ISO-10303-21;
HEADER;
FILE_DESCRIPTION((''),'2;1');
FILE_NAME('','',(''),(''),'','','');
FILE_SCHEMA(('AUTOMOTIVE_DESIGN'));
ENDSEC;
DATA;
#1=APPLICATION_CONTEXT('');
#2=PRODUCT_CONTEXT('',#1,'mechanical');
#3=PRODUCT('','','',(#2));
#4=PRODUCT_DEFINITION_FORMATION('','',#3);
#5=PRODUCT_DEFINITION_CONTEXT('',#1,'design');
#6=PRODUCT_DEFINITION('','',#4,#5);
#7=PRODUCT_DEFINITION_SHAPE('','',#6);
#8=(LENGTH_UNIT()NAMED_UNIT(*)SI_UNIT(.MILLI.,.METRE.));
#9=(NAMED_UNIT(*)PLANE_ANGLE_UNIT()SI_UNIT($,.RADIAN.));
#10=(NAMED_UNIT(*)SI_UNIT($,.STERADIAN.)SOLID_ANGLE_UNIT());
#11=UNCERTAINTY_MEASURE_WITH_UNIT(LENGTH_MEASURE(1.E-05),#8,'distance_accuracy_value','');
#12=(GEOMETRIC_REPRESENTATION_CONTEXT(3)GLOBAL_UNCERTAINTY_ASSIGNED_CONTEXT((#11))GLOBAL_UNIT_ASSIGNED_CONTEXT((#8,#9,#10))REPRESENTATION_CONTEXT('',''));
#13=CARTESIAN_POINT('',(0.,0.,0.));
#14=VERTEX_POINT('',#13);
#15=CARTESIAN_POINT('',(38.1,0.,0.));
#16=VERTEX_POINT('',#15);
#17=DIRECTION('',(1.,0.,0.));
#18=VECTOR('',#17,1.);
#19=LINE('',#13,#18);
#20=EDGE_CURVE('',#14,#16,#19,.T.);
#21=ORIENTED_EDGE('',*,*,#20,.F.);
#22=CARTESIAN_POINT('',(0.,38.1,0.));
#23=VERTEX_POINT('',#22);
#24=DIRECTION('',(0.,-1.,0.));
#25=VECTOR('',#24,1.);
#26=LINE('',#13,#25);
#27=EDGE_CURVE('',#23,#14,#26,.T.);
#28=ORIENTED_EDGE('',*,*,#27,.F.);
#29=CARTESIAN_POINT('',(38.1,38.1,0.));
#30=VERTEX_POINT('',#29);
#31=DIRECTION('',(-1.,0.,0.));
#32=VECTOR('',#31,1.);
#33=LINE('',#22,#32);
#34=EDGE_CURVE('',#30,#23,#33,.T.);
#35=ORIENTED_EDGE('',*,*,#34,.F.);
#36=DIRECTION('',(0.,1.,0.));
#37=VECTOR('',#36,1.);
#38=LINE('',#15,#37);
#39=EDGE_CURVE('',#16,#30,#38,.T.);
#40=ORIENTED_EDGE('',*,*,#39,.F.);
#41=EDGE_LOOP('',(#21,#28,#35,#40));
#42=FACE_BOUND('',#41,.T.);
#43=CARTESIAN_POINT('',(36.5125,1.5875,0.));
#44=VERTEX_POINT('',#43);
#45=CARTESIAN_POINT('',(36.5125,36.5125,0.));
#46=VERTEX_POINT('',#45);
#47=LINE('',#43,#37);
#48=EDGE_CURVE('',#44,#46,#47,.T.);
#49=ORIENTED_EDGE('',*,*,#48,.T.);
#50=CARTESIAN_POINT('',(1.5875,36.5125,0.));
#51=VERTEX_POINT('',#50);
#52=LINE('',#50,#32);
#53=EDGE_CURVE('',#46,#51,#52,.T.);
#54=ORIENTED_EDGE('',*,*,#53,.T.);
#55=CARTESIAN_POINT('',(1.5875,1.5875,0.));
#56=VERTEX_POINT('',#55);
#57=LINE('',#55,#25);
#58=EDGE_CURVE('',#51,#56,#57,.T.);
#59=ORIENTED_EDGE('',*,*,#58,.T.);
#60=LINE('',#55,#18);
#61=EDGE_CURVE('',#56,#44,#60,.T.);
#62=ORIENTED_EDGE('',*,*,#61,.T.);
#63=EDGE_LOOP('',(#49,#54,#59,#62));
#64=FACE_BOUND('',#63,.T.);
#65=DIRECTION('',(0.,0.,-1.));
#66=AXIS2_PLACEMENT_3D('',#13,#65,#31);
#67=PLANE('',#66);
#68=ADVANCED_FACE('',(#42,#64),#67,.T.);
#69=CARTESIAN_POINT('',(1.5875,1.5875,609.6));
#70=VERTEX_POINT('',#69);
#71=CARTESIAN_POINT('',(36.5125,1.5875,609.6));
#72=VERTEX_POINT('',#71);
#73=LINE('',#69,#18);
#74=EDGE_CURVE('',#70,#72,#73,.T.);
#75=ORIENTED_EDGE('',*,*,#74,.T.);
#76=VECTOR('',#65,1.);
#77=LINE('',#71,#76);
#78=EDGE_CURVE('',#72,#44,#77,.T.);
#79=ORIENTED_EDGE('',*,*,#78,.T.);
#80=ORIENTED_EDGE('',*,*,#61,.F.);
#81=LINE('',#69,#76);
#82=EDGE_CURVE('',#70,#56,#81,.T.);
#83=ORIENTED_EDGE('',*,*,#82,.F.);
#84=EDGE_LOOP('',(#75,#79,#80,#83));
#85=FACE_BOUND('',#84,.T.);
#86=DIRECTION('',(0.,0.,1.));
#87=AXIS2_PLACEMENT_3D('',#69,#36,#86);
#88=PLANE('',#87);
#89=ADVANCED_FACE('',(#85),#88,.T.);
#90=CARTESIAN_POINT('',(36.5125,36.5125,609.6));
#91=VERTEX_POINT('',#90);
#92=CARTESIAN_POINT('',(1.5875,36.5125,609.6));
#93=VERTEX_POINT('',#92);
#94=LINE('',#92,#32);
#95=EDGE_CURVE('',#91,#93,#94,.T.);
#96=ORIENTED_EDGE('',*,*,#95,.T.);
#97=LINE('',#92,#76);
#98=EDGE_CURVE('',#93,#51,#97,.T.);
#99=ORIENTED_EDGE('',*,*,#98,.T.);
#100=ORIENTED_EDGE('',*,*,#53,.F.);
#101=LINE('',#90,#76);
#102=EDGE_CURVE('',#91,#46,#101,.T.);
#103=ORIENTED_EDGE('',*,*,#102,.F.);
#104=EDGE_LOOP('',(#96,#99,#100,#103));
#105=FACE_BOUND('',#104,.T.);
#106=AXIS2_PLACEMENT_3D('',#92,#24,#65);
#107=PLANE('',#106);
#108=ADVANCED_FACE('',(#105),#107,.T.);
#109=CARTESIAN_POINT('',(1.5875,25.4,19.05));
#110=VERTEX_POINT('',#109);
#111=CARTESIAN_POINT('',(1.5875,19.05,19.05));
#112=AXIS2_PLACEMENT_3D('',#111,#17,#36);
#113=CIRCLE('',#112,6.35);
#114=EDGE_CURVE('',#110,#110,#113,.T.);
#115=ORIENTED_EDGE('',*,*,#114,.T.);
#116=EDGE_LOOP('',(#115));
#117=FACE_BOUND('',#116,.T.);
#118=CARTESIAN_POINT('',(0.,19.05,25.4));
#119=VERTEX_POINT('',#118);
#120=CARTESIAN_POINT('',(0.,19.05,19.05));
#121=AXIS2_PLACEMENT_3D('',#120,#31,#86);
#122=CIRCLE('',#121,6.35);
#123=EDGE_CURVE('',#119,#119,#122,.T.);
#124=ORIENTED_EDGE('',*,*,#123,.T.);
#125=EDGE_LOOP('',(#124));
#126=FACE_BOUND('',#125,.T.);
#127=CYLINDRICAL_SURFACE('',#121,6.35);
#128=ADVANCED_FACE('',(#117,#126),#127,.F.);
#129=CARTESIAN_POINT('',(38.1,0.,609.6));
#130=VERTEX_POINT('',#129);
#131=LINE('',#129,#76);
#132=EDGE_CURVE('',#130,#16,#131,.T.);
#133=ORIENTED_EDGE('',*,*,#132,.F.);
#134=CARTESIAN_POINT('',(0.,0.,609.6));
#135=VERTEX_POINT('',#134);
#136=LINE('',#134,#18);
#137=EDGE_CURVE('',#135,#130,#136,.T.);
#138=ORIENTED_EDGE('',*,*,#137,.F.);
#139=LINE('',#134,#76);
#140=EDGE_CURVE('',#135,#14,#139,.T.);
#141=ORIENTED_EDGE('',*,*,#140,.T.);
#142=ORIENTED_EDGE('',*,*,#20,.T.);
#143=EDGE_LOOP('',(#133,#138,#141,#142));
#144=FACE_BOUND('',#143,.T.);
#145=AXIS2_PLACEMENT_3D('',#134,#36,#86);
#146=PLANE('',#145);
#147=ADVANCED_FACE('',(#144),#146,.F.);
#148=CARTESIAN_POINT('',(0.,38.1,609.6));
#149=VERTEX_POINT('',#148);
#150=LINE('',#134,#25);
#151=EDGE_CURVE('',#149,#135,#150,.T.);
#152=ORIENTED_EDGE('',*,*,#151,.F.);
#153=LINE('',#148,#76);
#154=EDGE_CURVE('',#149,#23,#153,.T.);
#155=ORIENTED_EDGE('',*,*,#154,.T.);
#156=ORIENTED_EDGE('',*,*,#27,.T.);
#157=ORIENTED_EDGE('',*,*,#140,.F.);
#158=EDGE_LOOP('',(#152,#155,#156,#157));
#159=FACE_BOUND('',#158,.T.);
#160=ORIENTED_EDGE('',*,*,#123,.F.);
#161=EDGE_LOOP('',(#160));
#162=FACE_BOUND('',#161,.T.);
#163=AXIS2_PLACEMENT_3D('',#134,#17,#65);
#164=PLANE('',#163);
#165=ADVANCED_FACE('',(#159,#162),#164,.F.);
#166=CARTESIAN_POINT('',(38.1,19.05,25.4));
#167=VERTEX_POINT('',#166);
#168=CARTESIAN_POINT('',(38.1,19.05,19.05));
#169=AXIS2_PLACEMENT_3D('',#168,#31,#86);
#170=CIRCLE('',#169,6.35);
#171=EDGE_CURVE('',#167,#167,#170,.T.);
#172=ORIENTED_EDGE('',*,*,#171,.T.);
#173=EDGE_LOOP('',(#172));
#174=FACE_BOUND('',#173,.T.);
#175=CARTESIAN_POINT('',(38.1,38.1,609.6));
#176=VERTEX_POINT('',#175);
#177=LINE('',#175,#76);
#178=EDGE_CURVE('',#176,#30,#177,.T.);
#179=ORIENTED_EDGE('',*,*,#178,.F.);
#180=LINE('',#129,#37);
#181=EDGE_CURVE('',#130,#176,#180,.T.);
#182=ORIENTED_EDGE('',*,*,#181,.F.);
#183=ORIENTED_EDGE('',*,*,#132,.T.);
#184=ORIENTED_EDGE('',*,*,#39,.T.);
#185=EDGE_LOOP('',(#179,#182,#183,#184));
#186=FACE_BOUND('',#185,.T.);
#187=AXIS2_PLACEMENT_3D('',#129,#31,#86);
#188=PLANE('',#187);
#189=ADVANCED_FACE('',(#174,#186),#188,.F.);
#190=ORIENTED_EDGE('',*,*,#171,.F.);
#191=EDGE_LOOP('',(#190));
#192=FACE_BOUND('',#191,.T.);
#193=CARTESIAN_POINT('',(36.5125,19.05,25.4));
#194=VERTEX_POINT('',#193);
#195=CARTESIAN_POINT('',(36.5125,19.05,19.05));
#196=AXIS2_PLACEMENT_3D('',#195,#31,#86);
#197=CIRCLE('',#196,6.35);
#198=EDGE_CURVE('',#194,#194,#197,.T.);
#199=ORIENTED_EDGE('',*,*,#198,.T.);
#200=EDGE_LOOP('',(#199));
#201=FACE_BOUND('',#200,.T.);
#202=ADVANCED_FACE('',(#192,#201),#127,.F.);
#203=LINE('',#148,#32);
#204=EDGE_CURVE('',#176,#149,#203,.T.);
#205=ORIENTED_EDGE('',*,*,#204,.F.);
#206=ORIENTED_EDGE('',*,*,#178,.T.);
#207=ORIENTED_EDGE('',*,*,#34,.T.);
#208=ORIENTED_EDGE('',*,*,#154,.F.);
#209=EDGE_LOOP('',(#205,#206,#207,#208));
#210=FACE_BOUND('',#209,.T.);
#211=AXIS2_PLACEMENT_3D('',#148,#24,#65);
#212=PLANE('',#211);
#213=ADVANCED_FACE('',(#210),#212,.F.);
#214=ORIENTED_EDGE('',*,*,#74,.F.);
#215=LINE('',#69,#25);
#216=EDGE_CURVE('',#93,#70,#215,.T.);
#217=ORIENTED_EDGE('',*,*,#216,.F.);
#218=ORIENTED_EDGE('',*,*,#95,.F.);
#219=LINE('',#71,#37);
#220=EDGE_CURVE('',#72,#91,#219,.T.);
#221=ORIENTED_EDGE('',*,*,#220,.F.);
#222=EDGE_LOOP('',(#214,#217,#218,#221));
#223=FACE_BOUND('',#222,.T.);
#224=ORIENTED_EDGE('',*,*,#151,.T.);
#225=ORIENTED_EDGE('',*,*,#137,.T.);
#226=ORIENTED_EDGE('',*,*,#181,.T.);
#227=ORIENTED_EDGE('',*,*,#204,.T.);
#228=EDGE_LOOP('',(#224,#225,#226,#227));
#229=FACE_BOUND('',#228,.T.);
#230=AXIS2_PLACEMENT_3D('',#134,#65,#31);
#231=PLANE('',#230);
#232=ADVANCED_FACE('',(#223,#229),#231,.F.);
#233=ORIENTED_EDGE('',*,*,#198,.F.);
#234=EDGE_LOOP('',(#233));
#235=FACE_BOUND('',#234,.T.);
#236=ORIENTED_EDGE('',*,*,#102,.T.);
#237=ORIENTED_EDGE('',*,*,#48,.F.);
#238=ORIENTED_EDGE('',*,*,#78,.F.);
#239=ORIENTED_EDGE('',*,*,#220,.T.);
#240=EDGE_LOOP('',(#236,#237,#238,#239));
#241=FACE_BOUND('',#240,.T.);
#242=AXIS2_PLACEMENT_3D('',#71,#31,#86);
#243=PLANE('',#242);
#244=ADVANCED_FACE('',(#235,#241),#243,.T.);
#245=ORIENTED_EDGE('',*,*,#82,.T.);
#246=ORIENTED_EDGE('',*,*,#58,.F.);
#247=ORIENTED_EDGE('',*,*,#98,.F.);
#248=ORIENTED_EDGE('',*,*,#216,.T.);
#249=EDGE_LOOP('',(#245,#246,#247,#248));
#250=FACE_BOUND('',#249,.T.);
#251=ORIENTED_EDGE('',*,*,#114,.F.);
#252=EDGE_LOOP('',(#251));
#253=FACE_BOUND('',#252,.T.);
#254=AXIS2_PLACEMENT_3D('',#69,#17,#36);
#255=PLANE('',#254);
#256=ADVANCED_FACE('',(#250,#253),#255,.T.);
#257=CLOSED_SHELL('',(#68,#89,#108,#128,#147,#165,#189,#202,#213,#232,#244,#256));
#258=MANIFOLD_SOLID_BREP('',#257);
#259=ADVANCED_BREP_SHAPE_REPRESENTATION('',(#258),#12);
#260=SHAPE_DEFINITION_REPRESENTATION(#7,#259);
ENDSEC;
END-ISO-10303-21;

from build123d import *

# Parameters (mm, degrees)
SKETCH2_W                  = 38.1
SKETCH2_H                  = 38.1
SKETCH2_W_2                = 34.925
SKETCH2_H_2                = 34.925
BOSS_EXTRUDE1_DEPTH        = 609.6
F_1_2_0_5_DIAMETER_HOLE1_D = 12.7


with BuildPart() as part:
    # Sketch2 → Boss-Extrude1 (new body)
    with BuildSketch(Plane.XY):
        with Locations((19.05, 19.05)):
            Rectangle(SKETCH2_W, SKETCH2_H)
        with Locations((19.05, 19.05)):
            Rectangle(SKETCH2_W_2, SKETCH2_H_2, mode=Mode.SUBTRACT)
    extrude(amount=BOSS_EXTRUDE1_DEPTH)

    # 1/2 (0.5) Diameter Hole1 (through all)
    with Locations(Plane.ZY):
        with Locations((19.05, 19.05)):
            Hole(F_1_2_0_5_DIAMETER_HOLE1_D / 2)


solid = part.part
